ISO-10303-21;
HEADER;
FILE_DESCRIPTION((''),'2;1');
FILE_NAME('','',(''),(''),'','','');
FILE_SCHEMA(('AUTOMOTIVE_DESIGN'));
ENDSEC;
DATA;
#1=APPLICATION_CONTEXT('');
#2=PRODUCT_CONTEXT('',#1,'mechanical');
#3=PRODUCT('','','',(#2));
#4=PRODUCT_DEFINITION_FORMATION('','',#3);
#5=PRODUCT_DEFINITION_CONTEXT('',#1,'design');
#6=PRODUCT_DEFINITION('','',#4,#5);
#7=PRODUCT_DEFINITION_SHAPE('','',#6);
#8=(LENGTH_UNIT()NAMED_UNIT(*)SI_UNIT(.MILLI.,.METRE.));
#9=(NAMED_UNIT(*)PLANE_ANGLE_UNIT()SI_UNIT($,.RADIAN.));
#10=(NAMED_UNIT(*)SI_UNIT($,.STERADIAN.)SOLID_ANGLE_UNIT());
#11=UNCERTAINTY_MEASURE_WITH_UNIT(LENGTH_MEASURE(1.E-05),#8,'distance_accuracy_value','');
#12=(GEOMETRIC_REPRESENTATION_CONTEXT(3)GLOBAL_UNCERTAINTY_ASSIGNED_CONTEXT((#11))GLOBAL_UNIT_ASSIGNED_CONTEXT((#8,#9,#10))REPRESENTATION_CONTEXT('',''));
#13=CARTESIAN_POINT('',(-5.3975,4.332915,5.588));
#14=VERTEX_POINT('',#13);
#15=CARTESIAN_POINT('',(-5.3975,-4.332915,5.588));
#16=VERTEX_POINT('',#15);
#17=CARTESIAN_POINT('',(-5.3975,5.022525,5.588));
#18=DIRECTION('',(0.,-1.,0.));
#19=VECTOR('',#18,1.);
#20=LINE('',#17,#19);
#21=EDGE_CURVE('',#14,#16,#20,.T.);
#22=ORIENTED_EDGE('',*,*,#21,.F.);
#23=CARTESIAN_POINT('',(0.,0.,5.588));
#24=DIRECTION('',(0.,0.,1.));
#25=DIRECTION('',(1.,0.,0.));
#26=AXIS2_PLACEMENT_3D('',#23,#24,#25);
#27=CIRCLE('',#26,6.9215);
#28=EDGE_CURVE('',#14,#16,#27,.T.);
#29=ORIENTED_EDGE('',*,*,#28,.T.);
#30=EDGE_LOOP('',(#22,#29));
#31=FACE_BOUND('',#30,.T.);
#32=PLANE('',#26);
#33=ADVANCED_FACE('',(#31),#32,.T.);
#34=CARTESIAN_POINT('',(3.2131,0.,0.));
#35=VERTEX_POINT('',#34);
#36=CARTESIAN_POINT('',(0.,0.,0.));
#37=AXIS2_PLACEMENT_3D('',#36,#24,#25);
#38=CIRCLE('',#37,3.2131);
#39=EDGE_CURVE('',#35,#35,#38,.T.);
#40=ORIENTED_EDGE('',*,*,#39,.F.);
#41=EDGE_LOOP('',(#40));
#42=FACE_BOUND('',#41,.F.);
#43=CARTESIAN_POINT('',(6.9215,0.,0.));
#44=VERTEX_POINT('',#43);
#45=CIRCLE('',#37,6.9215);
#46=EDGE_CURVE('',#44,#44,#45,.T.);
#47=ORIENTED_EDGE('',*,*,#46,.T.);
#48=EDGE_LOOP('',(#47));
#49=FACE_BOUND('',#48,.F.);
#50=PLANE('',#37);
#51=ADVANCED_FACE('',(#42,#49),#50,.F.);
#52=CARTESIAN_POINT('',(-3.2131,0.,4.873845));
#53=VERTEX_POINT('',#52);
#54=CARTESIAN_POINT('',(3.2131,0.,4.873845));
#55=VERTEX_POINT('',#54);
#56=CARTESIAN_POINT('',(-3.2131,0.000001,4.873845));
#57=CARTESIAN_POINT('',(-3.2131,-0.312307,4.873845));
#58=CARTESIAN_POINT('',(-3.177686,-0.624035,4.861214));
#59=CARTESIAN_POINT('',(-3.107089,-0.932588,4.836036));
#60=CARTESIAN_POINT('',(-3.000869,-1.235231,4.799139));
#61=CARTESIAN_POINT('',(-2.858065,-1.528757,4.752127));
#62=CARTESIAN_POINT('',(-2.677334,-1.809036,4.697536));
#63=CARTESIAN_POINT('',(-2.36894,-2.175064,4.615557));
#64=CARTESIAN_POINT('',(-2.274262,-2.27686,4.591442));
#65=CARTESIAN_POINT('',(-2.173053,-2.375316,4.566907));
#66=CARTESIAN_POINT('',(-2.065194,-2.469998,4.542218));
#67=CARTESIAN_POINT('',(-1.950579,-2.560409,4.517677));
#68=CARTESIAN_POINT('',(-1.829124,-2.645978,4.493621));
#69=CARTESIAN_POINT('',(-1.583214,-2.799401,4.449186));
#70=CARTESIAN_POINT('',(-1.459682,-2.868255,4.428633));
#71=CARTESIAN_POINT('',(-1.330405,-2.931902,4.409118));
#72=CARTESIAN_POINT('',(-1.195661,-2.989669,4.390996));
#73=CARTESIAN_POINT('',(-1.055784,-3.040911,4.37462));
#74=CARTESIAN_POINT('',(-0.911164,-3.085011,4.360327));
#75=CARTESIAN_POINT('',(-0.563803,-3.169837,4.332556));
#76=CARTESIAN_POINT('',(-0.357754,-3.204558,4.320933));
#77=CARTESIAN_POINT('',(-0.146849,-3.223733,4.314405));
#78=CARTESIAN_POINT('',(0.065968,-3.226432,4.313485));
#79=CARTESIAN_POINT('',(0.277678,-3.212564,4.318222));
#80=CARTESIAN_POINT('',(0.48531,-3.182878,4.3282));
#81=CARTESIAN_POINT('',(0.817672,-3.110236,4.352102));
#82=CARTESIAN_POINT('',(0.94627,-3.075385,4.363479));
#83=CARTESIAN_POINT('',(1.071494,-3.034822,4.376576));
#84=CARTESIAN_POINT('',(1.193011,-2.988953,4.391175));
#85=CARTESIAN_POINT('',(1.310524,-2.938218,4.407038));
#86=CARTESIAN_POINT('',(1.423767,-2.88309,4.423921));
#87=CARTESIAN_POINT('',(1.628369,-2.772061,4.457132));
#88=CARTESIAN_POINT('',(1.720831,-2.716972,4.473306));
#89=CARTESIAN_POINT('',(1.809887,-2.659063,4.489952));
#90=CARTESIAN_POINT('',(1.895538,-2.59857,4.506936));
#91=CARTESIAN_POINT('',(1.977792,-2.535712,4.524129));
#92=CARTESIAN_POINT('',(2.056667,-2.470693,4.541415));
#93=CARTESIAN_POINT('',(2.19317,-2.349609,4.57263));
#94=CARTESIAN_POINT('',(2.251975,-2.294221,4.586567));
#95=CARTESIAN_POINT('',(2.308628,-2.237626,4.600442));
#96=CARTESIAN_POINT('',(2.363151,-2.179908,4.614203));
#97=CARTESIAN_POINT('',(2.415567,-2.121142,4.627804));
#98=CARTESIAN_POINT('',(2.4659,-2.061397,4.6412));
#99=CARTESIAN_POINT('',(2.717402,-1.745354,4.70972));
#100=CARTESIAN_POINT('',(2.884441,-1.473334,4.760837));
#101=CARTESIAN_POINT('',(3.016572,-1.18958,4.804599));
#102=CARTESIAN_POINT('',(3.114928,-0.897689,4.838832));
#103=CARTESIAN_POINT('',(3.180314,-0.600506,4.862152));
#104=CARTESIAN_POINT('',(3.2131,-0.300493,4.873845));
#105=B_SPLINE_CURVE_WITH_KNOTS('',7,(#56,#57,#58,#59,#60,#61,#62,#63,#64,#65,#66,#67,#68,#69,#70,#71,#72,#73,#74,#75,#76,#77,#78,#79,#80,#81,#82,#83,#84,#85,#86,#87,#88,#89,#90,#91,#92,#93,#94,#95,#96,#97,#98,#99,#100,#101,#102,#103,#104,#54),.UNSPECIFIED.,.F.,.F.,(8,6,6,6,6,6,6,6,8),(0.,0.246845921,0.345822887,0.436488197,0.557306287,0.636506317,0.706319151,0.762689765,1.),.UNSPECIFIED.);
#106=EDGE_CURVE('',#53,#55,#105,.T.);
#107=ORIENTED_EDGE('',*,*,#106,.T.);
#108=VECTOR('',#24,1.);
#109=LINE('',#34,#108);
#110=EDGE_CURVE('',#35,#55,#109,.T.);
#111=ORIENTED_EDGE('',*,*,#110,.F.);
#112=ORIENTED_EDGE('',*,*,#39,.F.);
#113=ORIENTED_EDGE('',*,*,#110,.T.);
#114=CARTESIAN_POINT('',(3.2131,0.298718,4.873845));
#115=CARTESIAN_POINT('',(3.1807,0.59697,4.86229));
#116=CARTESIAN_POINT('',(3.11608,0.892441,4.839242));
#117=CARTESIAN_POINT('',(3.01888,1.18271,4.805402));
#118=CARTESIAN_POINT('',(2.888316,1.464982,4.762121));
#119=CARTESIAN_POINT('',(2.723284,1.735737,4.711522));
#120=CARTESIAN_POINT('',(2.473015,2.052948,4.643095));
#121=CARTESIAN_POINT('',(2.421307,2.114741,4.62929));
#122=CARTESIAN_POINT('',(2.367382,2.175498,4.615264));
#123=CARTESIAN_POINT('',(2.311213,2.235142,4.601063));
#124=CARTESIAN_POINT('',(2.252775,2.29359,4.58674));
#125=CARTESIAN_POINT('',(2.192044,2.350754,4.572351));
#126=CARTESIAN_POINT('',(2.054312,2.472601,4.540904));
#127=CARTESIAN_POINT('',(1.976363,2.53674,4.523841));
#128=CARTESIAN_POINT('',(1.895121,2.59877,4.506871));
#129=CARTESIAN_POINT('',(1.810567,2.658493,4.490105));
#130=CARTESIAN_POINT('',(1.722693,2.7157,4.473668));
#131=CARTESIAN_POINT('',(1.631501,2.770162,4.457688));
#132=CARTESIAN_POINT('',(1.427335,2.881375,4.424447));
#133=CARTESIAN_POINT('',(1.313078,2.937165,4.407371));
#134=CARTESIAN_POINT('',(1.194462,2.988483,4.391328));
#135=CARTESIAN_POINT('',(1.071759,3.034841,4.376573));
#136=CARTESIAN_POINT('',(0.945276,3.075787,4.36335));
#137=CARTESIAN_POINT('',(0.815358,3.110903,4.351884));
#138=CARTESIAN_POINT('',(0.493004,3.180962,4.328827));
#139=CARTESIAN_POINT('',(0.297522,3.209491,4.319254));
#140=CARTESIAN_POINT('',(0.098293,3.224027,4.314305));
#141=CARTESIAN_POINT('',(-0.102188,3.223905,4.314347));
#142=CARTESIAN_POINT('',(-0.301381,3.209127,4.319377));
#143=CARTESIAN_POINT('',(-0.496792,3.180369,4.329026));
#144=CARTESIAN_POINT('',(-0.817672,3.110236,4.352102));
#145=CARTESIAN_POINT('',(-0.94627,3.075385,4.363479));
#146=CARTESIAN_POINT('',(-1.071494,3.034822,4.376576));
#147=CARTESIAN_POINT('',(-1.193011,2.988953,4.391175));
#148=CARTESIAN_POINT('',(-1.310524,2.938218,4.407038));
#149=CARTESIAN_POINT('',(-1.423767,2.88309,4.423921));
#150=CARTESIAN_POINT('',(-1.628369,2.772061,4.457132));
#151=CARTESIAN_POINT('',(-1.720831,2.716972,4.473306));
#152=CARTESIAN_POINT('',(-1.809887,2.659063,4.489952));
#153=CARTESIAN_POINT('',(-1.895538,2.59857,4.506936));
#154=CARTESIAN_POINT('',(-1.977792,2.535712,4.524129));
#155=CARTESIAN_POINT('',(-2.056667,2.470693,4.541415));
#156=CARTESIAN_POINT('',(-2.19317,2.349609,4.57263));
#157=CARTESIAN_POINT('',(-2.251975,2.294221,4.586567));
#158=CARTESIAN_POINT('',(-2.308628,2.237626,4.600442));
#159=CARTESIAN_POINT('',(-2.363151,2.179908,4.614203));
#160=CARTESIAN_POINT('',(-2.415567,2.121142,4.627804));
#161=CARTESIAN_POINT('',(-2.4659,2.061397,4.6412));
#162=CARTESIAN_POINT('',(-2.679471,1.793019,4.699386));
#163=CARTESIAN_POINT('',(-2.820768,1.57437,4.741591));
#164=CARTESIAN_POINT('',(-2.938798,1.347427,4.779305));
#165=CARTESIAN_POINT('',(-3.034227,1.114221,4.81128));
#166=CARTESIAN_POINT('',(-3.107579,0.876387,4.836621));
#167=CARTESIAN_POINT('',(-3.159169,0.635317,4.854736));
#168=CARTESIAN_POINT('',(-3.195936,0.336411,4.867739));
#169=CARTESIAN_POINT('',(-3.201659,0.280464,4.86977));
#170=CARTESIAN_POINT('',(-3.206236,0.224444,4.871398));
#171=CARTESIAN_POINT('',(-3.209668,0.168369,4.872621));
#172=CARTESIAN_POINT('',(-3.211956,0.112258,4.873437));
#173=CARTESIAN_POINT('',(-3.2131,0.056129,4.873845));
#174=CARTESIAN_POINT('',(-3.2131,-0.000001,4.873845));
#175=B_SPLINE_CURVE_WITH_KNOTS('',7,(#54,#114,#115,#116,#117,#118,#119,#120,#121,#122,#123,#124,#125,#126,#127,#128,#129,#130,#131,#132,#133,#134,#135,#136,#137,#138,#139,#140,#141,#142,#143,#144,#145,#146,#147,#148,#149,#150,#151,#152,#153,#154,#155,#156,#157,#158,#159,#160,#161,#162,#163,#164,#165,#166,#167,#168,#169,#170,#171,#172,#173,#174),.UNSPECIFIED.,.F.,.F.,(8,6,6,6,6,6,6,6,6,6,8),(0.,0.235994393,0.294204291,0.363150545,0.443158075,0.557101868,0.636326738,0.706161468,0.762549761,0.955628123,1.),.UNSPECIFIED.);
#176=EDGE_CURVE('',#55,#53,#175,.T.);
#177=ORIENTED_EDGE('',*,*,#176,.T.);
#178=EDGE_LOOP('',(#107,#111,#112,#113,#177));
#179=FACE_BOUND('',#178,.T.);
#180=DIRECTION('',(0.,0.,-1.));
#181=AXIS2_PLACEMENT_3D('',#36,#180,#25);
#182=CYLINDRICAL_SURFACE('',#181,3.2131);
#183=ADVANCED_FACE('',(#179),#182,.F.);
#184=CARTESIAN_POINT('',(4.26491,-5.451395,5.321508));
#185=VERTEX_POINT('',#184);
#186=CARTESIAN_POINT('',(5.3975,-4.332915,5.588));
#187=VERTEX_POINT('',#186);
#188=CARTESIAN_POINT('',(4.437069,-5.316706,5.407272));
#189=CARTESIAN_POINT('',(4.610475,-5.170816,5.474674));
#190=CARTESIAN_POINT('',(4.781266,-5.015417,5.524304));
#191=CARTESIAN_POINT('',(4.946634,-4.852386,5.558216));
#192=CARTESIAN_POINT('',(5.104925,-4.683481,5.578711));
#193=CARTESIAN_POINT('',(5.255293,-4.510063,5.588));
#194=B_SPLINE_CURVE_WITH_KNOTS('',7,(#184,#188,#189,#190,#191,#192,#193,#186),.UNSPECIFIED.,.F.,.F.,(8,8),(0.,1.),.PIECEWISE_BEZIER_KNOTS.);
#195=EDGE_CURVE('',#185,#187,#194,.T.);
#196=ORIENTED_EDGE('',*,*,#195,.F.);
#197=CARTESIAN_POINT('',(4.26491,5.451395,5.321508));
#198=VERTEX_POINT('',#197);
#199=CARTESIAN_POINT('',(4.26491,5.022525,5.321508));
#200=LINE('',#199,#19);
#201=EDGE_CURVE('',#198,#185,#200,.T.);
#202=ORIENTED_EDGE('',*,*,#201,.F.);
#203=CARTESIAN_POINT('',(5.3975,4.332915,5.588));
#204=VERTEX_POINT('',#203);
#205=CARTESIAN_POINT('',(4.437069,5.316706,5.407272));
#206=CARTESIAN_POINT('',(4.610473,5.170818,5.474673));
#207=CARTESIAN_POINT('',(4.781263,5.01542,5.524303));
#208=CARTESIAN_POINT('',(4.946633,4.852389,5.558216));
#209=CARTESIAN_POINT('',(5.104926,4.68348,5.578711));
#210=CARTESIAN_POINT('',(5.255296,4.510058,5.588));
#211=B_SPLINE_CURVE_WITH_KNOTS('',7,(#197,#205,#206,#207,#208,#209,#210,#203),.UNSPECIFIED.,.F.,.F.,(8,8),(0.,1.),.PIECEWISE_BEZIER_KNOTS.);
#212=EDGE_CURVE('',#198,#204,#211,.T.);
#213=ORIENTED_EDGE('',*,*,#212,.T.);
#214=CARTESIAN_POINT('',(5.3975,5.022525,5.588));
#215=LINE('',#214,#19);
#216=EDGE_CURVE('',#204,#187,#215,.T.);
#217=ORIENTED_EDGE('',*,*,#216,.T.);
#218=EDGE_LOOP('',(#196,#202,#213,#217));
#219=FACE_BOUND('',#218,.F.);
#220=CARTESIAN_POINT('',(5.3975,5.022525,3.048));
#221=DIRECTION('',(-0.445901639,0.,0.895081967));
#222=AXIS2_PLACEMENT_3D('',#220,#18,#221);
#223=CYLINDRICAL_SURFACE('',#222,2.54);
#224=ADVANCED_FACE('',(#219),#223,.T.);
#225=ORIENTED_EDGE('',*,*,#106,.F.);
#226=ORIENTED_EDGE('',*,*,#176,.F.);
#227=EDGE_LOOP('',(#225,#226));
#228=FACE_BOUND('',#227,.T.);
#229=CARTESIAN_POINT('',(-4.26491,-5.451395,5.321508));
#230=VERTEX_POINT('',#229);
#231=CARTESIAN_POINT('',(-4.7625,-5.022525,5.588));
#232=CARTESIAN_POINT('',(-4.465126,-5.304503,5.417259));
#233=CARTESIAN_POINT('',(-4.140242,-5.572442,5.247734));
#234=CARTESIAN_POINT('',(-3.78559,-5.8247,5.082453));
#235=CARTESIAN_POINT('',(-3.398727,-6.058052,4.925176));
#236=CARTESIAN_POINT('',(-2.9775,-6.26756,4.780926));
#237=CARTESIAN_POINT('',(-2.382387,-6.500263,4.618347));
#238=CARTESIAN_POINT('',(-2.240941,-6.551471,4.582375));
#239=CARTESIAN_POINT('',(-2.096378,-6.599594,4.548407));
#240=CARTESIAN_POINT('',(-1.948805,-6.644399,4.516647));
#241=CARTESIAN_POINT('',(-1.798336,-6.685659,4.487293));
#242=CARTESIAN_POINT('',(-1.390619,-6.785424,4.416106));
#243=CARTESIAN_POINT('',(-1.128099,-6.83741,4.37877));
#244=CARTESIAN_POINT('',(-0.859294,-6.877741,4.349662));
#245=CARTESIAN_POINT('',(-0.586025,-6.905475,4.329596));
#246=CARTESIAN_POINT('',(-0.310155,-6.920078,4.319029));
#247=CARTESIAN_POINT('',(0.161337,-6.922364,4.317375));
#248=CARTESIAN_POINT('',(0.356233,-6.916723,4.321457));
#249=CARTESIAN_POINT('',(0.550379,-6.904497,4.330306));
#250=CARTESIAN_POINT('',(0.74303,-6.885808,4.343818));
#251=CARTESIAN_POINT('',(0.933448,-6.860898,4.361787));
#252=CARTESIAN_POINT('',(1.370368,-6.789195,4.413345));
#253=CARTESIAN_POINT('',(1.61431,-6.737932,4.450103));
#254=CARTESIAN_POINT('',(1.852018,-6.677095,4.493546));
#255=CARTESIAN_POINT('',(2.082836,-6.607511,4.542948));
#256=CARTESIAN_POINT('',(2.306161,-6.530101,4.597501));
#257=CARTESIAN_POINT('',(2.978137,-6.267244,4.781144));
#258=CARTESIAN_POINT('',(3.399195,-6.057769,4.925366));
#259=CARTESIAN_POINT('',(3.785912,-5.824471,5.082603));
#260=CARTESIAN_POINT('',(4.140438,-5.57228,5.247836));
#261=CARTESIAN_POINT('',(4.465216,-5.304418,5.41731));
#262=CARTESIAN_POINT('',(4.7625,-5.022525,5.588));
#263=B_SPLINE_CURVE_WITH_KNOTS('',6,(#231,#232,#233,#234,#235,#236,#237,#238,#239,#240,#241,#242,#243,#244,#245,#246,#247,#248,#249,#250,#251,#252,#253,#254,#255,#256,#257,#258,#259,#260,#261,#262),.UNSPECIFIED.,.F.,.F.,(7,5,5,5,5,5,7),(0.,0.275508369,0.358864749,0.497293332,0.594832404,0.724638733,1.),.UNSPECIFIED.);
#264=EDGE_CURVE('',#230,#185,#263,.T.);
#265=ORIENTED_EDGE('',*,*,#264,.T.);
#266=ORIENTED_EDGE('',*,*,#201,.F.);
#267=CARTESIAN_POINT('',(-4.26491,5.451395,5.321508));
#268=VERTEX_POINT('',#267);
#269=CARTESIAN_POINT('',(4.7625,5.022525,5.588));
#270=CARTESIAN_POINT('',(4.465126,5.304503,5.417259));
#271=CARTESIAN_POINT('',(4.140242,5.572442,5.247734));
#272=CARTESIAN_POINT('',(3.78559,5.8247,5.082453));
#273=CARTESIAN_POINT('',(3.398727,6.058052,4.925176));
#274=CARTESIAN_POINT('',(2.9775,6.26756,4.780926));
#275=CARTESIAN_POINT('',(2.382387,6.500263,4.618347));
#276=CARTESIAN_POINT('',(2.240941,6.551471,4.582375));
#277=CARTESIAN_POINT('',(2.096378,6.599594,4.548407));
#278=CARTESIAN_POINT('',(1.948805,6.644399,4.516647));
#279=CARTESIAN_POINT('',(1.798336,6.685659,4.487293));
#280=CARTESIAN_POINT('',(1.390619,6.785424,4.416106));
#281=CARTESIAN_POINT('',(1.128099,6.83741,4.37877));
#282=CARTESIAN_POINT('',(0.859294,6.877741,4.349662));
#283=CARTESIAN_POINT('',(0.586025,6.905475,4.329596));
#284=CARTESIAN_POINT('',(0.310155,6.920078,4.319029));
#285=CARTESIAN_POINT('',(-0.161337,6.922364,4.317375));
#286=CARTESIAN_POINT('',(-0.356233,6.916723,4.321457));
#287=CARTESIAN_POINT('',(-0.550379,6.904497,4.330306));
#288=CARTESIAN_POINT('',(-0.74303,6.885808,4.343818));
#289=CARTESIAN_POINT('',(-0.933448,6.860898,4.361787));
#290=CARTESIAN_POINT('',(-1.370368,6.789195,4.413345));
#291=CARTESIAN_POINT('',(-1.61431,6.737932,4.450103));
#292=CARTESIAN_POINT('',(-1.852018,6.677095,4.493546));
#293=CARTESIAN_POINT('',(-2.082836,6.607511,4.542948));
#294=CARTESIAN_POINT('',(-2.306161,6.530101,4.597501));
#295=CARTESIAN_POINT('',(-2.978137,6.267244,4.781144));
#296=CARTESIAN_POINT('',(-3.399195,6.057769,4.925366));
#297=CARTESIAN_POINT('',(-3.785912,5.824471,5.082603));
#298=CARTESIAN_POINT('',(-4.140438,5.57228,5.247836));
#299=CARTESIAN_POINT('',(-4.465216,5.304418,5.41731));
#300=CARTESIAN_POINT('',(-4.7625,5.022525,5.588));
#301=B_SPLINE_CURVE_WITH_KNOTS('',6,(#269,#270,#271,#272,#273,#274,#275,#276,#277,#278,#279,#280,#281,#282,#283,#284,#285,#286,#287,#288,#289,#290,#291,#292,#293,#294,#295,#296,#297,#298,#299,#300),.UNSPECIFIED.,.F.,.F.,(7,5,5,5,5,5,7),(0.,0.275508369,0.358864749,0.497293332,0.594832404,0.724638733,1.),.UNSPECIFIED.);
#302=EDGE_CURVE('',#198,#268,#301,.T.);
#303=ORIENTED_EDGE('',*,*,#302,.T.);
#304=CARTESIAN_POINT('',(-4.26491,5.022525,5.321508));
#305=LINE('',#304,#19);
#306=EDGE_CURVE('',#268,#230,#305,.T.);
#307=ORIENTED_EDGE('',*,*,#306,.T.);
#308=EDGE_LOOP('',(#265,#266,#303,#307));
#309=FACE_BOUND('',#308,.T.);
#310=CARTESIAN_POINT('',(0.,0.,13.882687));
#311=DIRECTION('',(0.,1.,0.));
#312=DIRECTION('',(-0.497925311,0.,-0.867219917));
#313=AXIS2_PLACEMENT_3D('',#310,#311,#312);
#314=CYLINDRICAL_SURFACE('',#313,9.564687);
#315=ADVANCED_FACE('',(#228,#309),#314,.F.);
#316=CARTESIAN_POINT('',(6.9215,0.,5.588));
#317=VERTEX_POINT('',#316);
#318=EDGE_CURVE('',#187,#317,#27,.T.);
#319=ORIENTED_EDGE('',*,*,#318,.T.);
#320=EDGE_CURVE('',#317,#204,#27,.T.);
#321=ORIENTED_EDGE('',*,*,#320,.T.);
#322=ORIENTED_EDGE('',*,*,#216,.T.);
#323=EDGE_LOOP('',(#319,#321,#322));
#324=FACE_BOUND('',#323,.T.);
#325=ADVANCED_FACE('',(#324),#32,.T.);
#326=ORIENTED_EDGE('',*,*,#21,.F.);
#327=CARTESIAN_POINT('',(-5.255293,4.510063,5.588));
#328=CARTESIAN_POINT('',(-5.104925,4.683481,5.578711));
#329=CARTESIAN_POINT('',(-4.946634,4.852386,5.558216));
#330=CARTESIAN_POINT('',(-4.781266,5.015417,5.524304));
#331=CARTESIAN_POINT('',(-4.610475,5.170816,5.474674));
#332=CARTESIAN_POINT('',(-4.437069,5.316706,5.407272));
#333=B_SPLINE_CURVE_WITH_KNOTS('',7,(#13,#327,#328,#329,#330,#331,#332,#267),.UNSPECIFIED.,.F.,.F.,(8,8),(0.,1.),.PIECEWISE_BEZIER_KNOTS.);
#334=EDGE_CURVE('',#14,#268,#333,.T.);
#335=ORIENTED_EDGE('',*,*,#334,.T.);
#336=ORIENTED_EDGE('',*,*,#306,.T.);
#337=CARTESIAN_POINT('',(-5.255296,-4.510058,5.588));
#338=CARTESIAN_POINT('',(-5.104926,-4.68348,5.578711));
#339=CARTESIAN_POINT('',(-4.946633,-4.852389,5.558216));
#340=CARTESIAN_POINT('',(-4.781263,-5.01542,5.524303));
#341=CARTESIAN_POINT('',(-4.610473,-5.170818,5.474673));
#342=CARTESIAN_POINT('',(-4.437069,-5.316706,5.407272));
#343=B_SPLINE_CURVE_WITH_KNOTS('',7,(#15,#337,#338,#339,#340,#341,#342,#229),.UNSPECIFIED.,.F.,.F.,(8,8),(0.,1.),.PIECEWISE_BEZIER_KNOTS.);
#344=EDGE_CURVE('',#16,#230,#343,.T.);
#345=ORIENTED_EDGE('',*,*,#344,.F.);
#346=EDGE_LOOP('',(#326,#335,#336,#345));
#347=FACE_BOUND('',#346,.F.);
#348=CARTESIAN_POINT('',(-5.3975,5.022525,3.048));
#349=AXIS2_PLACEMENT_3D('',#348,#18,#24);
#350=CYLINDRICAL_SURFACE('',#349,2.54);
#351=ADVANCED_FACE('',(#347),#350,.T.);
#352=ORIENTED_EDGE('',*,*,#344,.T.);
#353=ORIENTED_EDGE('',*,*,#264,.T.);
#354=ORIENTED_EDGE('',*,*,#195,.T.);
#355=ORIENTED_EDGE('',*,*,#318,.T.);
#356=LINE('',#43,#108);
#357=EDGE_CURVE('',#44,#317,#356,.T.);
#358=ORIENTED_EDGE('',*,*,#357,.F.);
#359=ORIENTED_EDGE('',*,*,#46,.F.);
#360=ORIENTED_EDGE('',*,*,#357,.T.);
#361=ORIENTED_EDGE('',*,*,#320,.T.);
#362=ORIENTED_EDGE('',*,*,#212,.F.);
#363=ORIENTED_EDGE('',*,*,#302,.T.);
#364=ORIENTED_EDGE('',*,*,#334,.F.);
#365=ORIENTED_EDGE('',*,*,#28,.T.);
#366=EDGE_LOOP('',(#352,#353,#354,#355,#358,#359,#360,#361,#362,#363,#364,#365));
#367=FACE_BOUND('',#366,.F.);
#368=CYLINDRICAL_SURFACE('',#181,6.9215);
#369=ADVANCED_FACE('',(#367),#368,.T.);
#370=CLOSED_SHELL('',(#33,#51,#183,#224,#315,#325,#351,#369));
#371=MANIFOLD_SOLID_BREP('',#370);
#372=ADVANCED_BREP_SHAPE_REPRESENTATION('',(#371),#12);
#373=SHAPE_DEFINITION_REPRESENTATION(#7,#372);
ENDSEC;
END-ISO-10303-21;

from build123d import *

# Parameters (mm, degrees)
F0_R          = 6.9215
F0_R_2        = 3.2131
F1_DEPTH      = 5.588
F3_DEPTH      = 6.9225
F3_DEPTH_BACK = 6.9225
F4_R          = 2.54


with BuildPart() as f1:
    # F0 (on Top) → F1 (new body)
    with BuildSketch(Plane.XY):
        Circle(F0_R)
        Circle(F0_R_2, mode=Mode.SUBTRACT)
    extrude(amount=F1_DEPTH)

    # F2 (on Front) → F3 (cut, two sides)
    with BuildSketch(Plane.XZ) as f3_sk:
        with BuildLine():
            Line((4.7625, 5.588), (-4.7625, 5.588))
            ThreePointArc((-4.7625, 5.588), (0, 4.318), (4.7625, 5.588))
        make_face()
    extrude(amount=-F3_DEPTH, mode=Mode.SUBTRACT)
    extrude(f3_sk.sketch, amount=F3_DEPTH_BACK, mode=Mode.SUBTRACT)

    # F4
    f4_edges = [f1.edges().sort_by_distance(p)[0] for p in [
        (-4.7625, 0, 5.588),
        (4.7625, 0, 5.588),
    ]]
    fillet(f4_edges, radius=F4_R)


solid = f1.part
